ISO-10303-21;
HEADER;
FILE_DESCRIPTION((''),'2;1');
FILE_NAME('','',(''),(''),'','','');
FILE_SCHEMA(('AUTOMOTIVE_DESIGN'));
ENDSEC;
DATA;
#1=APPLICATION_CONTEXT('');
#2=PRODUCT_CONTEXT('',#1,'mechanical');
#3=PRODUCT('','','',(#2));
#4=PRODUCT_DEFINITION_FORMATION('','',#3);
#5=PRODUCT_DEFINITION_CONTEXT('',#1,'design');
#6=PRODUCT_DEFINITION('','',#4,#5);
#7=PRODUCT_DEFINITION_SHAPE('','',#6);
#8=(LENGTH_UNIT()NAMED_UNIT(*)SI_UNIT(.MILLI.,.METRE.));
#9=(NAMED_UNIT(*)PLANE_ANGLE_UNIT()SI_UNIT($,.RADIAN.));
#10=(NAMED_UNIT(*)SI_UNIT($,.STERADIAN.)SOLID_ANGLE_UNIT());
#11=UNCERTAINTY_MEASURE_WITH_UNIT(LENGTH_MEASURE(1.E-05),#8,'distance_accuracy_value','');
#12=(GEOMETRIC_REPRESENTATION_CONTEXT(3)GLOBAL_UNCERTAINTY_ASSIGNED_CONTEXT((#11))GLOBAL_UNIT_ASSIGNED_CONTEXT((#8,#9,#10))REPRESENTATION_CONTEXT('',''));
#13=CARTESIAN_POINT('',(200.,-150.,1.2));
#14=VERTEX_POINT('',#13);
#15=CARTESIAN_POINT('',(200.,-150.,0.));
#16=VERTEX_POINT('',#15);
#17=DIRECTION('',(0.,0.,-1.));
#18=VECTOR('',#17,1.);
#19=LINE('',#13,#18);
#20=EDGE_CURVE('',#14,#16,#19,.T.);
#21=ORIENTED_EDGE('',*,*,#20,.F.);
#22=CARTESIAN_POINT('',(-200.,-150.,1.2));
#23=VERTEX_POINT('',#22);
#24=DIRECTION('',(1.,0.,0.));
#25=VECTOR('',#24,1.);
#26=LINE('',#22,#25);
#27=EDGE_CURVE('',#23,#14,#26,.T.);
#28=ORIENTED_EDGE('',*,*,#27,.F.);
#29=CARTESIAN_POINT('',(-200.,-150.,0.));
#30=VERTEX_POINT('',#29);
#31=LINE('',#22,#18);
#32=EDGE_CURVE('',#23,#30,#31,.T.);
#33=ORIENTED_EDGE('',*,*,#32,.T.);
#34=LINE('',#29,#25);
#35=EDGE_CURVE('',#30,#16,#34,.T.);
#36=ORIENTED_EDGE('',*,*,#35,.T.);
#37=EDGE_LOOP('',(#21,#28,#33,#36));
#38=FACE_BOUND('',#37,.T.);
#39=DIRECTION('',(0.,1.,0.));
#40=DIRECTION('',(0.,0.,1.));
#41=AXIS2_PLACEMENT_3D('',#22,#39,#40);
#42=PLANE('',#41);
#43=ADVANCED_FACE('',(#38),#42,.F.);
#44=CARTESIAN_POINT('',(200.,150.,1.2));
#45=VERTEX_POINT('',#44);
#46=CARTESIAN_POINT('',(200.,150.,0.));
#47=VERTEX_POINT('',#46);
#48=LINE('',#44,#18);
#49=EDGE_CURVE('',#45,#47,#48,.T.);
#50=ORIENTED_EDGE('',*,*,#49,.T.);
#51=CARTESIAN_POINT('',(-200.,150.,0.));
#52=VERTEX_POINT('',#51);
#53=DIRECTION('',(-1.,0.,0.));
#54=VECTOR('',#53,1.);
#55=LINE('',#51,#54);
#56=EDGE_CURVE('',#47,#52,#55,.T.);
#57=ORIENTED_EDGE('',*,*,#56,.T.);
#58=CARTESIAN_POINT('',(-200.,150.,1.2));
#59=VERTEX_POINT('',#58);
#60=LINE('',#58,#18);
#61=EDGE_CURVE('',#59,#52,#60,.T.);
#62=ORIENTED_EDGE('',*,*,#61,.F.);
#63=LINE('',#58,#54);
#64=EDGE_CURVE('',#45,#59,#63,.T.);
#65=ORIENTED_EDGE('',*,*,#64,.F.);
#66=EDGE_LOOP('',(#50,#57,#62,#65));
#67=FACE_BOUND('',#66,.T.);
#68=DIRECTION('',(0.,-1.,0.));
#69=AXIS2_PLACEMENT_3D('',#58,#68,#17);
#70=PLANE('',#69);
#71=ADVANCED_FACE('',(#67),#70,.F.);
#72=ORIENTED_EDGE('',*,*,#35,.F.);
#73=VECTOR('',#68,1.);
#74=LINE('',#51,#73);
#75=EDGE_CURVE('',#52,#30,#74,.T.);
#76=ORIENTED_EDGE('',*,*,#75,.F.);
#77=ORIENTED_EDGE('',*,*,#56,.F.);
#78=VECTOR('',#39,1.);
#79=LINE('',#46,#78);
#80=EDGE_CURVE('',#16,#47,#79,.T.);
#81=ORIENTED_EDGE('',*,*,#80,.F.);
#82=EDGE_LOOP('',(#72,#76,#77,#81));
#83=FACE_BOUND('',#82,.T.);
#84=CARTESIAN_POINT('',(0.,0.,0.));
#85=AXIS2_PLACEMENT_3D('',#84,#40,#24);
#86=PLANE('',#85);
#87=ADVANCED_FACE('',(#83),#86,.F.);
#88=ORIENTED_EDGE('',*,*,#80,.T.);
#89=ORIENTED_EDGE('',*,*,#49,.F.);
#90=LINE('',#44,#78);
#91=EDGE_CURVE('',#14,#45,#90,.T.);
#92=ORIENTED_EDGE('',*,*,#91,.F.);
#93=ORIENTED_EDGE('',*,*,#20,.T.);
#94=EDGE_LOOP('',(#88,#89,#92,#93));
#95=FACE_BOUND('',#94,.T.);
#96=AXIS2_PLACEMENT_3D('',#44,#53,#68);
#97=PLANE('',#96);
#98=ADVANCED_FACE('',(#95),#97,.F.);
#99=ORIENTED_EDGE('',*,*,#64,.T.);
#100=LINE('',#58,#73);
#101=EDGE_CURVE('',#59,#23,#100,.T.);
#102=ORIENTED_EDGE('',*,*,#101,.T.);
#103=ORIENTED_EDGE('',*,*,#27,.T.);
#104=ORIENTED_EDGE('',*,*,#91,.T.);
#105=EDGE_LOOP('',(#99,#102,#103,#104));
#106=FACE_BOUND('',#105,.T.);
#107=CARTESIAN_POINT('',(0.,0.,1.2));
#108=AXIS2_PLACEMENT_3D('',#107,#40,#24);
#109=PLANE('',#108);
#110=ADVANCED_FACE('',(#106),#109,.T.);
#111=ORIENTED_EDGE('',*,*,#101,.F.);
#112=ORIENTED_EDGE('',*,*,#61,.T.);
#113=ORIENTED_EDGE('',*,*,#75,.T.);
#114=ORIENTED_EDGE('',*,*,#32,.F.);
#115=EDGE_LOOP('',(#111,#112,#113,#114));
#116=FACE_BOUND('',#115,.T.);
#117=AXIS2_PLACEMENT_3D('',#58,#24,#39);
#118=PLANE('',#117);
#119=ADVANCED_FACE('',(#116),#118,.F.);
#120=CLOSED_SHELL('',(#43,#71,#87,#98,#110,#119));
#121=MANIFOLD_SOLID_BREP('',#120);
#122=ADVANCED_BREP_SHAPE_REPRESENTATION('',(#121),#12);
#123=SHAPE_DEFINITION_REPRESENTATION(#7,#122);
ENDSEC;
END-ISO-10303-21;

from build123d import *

# Parameters (mm, degrees)
ESQUISSE1_W        = 400
ESQUISSE1_H        = 300
BOSS_EXTRU_1_DEPTH = 1.2


with BuildPart() as part:
    # Esquisse1 → Boss.-Extru.1 (new body)
    with BuildSketch(Plane.XY):
        Rectangle(ESQUISSE1_W, ESQUISSE1_H)
    extrude(amount=BOSS_EXTRU_1_DEPTH)


solid = part.part
